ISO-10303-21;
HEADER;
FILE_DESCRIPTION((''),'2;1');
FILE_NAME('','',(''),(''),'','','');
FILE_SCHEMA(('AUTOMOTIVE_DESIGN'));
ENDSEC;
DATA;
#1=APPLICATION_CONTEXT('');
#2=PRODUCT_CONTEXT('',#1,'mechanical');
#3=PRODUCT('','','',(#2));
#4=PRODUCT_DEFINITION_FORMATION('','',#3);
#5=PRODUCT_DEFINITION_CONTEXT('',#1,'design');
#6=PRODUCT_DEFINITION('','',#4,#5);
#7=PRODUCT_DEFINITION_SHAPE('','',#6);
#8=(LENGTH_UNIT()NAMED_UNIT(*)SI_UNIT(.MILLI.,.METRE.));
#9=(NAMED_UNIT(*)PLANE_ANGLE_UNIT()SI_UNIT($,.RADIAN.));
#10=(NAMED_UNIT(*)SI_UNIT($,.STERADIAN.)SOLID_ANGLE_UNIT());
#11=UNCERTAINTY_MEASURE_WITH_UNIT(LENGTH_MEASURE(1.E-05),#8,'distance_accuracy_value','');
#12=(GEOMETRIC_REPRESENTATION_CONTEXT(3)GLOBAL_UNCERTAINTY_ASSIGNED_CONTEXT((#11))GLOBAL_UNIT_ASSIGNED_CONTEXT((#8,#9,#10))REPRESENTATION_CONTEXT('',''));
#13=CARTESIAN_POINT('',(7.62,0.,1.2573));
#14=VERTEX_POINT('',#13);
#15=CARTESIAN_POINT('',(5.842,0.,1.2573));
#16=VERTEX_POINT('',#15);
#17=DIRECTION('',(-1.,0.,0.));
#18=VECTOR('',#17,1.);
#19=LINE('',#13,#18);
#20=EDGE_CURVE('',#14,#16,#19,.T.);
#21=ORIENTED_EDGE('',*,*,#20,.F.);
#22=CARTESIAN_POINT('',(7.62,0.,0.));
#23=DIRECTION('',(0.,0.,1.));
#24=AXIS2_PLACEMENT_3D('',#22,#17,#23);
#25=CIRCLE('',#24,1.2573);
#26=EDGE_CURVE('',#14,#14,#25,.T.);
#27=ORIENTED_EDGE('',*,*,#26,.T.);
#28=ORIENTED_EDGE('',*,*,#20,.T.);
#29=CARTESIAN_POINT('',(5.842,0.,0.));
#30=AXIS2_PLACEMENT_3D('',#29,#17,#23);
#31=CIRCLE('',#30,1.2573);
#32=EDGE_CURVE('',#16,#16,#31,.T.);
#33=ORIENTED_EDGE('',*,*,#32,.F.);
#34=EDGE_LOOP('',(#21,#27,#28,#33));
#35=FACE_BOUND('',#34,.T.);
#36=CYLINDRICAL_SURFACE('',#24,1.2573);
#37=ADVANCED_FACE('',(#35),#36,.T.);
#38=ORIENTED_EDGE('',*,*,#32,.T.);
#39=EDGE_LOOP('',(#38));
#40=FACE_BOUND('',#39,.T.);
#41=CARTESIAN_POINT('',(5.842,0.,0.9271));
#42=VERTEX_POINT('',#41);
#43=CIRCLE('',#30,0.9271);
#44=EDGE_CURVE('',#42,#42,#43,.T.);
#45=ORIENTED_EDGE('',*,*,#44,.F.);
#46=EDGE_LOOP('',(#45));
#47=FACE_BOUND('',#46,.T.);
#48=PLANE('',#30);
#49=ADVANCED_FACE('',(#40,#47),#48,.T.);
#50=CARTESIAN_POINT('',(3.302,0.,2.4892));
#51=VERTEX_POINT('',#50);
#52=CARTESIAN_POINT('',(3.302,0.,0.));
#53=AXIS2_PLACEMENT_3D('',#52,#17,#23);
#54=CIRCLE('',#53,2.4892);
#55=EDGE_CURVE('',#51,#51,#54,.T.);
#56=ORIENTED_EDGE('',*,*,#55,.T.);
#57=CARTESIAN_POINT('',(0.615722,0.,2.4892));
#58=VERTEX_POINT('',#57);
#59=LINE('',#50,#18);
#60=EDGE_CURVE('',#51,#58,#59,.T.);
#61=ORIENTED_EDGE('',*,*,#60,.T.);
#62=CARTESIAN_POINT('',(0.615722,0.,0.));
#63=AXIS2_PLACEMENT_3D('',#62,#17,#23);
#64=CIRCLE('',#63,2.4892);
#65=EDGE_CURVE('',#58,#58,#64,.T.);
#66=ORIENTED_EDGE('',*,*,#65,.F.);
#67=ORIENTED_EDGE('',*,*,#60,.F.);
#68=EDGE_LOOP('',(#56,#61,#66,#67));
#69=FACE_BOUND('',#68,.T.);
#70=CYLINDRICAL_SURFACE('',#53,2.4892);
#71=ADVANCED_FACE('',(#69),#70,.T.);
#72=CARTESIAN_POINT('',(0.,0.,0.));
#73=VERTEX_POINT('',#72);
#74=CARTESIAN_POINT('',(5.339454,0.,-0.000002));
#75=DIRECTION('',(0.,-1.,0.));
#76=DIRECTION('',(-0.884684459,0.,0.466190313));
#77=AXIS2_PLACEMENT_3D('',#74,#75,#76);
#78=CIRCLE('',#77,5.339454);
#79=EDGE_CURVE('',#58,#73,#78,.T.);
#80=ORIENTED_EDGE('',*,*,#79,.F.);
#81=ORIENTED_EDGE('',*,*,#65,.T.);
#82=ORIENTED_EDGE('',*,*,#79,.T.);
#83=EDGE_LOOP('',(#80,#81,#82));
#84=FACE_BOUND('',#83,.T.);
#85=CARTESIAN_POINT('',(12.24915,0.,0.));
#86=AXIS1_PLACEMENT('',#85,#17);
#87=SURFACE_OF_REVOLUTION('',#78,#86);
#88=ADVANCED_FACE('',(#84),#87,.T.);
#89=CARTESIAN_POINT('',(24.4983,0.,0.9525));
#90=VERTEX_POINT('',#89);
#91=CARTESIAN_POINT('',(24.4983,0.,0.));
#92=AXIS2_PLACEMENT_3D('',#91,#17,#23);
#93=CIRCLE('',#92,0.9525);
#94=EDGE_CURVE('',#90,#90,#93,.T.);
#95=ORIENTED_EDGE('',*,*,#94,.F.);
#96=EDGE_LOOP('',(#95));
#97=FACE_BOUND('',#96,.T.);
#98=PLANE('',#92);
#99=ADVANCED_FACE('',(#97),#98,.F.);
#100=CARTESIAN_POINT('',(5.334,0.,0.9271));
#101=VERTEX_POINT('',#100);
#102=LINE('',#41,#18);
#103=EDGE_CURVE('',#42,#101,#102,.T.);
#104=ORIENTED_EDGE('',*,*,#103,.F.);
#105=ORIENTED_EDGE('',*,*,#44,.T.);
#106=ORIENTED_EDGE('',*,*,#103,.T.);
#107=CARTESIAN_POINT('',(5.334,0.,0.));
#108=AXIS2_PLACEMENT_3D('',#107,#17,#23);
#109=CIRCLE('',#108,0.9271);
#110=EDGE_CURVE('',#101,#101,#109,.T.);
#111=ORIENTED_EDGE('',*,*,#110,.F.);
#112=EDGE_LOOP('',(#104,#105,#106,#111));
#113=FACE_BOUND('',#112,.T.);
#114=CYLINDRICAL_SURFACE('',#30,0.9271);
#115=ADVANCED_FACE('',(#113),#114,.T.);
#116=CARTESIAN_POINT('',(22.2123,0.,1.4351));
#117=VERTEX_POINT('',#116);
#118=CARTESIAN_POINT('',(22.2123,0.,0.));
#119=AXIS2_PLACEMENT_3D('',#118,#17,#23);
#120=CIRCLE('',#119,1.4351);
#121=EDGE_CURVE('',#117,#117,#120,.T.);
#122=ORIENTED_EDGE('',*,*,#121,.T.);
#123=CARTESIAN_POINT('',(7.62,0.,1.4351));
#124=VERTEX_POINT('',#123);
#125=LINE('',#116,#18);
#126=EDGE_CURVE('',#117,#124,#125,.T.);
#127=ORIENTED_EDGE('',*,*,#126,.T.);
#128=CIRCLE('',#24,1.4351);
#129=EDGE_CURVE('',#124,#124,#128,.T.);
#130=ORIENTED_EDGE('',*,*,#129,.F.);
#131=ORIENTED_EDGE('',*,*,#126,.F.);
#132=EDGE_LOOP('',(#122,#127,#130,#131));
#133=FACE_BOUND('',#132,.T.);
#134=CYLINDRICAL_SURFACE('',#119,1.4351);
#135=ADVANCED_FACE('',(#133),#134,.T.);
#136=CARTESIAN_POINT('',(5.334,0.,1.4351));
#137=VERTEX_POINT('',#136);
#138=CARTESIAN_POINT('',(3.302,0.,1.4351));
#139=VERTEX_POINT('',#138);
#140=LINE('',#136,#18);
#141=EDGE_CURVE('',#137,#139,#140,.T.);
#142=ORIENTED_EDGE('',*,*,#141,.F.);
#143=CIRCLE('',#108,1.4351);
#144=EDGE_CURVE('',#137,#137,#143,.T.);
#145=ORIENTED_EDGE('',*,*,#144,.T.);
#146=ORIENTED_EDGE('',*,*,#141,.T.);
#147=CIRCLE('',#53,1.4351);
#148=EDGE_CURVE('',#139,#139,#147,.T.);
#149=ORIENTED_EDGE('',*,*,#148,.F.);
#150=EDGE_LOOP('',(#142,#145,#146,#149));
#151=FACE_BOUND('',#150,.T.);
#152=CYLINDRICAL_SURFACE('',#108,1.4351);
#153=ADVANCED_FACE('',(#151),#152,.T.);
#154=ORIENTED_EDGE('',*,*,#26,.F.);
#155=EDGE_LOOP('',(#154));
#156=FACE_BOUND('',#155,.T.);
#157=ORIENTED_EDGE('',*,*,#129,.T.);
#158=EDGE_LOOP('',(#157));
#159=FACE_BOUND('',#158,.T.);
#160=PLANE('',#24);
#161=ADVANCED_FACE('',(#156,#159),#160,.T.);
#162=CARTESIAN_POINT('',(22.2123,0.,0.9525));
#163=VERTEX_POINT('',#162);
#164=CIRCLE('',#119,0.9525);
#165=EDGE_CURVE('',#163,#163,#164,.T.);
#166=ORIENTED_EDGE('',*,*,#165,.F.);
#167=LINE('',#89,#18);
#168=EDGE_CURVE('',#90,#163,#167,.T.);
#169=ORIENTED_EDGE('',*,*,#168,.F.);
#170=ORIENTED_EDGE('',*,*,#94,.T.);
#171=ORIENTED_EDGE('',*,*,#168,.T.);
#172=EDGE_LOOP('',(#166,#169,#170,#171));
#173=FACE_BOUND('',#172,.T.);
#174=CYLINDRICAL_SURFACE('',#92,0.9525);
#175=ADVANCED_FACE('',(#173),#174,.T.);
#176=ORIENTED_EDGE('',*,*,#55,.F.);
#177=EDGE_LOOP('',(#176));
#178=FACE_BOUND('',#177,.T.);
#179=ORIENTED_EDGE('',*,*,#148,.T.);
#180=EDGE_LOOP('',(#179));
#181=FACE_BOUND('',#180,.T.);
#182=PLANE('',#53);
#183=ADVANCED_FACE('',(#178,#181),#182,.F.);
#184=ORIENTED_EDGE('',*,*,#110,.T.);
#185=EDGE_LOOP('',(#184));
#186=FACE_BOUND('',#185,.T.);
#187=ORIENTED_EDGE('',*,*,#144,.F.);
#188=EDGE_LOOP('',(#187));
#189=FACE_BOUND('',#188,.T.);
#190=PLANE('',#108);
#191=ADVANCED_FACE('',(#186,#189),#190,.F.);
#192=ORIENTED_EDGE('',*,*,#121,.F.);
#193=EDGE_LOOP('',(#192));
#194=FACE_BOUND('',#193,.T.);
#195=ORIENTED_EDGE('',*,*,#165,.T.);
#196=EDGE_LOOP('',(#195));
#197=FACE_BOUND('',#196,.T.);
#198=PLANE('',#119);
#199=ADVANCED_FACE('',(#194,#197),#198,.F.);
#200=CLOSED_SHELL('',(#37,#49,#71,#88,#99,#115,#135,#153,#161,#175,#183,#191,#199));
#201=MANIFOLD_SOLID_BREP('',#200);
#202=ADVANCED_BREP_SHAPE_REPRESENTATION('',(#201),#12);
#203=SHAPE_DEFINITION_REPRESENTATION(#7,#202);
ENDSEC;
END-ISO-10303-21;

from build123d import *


with BuildPart() as f1:
    # F0 (on Front) → F1 (revolve)
    with BuildSketch(Plane.XZ):
        with BuildLine():
            Line((3.302, 2.4892), (0.615722, 2.4892))
            ThreePointArc((0.615722, 2.4892), (0.156216, 1.282111), (0, 0))
            Line((0, 0), (24.4983, 0))
            Line((24.4983, 0), (24.4983, 0.9525))
            Line((24.4983, 0.9525), (22.2123, 0.9525))
            Line((22.2123, 0.9525), (22.2123, 1.4351))
            Line((22.2123, 1.4351), (7.62, 1.4351))
            Line((7.62, 1.4351), (7.62, 1.2573))
            Line((7.62, 1.2573), (5.842, 1.2573))
            Line((5.842, 1.2573), (5.842, 0.9271))
            Line((5.842, 0.9271), (5.334, 0.9271))
            Line((5.334, 0.9271), (5.334, 1.4351))
            Line((5.334, 1.4351), (3.302, 1.4351))
            Line((3.302, 1.4351), (3.302, 2.4892))
        make_face()
    revolve(axis=Axis((12.24915, 0, 0), (-1, 0, 0)))


solid = f1.part
